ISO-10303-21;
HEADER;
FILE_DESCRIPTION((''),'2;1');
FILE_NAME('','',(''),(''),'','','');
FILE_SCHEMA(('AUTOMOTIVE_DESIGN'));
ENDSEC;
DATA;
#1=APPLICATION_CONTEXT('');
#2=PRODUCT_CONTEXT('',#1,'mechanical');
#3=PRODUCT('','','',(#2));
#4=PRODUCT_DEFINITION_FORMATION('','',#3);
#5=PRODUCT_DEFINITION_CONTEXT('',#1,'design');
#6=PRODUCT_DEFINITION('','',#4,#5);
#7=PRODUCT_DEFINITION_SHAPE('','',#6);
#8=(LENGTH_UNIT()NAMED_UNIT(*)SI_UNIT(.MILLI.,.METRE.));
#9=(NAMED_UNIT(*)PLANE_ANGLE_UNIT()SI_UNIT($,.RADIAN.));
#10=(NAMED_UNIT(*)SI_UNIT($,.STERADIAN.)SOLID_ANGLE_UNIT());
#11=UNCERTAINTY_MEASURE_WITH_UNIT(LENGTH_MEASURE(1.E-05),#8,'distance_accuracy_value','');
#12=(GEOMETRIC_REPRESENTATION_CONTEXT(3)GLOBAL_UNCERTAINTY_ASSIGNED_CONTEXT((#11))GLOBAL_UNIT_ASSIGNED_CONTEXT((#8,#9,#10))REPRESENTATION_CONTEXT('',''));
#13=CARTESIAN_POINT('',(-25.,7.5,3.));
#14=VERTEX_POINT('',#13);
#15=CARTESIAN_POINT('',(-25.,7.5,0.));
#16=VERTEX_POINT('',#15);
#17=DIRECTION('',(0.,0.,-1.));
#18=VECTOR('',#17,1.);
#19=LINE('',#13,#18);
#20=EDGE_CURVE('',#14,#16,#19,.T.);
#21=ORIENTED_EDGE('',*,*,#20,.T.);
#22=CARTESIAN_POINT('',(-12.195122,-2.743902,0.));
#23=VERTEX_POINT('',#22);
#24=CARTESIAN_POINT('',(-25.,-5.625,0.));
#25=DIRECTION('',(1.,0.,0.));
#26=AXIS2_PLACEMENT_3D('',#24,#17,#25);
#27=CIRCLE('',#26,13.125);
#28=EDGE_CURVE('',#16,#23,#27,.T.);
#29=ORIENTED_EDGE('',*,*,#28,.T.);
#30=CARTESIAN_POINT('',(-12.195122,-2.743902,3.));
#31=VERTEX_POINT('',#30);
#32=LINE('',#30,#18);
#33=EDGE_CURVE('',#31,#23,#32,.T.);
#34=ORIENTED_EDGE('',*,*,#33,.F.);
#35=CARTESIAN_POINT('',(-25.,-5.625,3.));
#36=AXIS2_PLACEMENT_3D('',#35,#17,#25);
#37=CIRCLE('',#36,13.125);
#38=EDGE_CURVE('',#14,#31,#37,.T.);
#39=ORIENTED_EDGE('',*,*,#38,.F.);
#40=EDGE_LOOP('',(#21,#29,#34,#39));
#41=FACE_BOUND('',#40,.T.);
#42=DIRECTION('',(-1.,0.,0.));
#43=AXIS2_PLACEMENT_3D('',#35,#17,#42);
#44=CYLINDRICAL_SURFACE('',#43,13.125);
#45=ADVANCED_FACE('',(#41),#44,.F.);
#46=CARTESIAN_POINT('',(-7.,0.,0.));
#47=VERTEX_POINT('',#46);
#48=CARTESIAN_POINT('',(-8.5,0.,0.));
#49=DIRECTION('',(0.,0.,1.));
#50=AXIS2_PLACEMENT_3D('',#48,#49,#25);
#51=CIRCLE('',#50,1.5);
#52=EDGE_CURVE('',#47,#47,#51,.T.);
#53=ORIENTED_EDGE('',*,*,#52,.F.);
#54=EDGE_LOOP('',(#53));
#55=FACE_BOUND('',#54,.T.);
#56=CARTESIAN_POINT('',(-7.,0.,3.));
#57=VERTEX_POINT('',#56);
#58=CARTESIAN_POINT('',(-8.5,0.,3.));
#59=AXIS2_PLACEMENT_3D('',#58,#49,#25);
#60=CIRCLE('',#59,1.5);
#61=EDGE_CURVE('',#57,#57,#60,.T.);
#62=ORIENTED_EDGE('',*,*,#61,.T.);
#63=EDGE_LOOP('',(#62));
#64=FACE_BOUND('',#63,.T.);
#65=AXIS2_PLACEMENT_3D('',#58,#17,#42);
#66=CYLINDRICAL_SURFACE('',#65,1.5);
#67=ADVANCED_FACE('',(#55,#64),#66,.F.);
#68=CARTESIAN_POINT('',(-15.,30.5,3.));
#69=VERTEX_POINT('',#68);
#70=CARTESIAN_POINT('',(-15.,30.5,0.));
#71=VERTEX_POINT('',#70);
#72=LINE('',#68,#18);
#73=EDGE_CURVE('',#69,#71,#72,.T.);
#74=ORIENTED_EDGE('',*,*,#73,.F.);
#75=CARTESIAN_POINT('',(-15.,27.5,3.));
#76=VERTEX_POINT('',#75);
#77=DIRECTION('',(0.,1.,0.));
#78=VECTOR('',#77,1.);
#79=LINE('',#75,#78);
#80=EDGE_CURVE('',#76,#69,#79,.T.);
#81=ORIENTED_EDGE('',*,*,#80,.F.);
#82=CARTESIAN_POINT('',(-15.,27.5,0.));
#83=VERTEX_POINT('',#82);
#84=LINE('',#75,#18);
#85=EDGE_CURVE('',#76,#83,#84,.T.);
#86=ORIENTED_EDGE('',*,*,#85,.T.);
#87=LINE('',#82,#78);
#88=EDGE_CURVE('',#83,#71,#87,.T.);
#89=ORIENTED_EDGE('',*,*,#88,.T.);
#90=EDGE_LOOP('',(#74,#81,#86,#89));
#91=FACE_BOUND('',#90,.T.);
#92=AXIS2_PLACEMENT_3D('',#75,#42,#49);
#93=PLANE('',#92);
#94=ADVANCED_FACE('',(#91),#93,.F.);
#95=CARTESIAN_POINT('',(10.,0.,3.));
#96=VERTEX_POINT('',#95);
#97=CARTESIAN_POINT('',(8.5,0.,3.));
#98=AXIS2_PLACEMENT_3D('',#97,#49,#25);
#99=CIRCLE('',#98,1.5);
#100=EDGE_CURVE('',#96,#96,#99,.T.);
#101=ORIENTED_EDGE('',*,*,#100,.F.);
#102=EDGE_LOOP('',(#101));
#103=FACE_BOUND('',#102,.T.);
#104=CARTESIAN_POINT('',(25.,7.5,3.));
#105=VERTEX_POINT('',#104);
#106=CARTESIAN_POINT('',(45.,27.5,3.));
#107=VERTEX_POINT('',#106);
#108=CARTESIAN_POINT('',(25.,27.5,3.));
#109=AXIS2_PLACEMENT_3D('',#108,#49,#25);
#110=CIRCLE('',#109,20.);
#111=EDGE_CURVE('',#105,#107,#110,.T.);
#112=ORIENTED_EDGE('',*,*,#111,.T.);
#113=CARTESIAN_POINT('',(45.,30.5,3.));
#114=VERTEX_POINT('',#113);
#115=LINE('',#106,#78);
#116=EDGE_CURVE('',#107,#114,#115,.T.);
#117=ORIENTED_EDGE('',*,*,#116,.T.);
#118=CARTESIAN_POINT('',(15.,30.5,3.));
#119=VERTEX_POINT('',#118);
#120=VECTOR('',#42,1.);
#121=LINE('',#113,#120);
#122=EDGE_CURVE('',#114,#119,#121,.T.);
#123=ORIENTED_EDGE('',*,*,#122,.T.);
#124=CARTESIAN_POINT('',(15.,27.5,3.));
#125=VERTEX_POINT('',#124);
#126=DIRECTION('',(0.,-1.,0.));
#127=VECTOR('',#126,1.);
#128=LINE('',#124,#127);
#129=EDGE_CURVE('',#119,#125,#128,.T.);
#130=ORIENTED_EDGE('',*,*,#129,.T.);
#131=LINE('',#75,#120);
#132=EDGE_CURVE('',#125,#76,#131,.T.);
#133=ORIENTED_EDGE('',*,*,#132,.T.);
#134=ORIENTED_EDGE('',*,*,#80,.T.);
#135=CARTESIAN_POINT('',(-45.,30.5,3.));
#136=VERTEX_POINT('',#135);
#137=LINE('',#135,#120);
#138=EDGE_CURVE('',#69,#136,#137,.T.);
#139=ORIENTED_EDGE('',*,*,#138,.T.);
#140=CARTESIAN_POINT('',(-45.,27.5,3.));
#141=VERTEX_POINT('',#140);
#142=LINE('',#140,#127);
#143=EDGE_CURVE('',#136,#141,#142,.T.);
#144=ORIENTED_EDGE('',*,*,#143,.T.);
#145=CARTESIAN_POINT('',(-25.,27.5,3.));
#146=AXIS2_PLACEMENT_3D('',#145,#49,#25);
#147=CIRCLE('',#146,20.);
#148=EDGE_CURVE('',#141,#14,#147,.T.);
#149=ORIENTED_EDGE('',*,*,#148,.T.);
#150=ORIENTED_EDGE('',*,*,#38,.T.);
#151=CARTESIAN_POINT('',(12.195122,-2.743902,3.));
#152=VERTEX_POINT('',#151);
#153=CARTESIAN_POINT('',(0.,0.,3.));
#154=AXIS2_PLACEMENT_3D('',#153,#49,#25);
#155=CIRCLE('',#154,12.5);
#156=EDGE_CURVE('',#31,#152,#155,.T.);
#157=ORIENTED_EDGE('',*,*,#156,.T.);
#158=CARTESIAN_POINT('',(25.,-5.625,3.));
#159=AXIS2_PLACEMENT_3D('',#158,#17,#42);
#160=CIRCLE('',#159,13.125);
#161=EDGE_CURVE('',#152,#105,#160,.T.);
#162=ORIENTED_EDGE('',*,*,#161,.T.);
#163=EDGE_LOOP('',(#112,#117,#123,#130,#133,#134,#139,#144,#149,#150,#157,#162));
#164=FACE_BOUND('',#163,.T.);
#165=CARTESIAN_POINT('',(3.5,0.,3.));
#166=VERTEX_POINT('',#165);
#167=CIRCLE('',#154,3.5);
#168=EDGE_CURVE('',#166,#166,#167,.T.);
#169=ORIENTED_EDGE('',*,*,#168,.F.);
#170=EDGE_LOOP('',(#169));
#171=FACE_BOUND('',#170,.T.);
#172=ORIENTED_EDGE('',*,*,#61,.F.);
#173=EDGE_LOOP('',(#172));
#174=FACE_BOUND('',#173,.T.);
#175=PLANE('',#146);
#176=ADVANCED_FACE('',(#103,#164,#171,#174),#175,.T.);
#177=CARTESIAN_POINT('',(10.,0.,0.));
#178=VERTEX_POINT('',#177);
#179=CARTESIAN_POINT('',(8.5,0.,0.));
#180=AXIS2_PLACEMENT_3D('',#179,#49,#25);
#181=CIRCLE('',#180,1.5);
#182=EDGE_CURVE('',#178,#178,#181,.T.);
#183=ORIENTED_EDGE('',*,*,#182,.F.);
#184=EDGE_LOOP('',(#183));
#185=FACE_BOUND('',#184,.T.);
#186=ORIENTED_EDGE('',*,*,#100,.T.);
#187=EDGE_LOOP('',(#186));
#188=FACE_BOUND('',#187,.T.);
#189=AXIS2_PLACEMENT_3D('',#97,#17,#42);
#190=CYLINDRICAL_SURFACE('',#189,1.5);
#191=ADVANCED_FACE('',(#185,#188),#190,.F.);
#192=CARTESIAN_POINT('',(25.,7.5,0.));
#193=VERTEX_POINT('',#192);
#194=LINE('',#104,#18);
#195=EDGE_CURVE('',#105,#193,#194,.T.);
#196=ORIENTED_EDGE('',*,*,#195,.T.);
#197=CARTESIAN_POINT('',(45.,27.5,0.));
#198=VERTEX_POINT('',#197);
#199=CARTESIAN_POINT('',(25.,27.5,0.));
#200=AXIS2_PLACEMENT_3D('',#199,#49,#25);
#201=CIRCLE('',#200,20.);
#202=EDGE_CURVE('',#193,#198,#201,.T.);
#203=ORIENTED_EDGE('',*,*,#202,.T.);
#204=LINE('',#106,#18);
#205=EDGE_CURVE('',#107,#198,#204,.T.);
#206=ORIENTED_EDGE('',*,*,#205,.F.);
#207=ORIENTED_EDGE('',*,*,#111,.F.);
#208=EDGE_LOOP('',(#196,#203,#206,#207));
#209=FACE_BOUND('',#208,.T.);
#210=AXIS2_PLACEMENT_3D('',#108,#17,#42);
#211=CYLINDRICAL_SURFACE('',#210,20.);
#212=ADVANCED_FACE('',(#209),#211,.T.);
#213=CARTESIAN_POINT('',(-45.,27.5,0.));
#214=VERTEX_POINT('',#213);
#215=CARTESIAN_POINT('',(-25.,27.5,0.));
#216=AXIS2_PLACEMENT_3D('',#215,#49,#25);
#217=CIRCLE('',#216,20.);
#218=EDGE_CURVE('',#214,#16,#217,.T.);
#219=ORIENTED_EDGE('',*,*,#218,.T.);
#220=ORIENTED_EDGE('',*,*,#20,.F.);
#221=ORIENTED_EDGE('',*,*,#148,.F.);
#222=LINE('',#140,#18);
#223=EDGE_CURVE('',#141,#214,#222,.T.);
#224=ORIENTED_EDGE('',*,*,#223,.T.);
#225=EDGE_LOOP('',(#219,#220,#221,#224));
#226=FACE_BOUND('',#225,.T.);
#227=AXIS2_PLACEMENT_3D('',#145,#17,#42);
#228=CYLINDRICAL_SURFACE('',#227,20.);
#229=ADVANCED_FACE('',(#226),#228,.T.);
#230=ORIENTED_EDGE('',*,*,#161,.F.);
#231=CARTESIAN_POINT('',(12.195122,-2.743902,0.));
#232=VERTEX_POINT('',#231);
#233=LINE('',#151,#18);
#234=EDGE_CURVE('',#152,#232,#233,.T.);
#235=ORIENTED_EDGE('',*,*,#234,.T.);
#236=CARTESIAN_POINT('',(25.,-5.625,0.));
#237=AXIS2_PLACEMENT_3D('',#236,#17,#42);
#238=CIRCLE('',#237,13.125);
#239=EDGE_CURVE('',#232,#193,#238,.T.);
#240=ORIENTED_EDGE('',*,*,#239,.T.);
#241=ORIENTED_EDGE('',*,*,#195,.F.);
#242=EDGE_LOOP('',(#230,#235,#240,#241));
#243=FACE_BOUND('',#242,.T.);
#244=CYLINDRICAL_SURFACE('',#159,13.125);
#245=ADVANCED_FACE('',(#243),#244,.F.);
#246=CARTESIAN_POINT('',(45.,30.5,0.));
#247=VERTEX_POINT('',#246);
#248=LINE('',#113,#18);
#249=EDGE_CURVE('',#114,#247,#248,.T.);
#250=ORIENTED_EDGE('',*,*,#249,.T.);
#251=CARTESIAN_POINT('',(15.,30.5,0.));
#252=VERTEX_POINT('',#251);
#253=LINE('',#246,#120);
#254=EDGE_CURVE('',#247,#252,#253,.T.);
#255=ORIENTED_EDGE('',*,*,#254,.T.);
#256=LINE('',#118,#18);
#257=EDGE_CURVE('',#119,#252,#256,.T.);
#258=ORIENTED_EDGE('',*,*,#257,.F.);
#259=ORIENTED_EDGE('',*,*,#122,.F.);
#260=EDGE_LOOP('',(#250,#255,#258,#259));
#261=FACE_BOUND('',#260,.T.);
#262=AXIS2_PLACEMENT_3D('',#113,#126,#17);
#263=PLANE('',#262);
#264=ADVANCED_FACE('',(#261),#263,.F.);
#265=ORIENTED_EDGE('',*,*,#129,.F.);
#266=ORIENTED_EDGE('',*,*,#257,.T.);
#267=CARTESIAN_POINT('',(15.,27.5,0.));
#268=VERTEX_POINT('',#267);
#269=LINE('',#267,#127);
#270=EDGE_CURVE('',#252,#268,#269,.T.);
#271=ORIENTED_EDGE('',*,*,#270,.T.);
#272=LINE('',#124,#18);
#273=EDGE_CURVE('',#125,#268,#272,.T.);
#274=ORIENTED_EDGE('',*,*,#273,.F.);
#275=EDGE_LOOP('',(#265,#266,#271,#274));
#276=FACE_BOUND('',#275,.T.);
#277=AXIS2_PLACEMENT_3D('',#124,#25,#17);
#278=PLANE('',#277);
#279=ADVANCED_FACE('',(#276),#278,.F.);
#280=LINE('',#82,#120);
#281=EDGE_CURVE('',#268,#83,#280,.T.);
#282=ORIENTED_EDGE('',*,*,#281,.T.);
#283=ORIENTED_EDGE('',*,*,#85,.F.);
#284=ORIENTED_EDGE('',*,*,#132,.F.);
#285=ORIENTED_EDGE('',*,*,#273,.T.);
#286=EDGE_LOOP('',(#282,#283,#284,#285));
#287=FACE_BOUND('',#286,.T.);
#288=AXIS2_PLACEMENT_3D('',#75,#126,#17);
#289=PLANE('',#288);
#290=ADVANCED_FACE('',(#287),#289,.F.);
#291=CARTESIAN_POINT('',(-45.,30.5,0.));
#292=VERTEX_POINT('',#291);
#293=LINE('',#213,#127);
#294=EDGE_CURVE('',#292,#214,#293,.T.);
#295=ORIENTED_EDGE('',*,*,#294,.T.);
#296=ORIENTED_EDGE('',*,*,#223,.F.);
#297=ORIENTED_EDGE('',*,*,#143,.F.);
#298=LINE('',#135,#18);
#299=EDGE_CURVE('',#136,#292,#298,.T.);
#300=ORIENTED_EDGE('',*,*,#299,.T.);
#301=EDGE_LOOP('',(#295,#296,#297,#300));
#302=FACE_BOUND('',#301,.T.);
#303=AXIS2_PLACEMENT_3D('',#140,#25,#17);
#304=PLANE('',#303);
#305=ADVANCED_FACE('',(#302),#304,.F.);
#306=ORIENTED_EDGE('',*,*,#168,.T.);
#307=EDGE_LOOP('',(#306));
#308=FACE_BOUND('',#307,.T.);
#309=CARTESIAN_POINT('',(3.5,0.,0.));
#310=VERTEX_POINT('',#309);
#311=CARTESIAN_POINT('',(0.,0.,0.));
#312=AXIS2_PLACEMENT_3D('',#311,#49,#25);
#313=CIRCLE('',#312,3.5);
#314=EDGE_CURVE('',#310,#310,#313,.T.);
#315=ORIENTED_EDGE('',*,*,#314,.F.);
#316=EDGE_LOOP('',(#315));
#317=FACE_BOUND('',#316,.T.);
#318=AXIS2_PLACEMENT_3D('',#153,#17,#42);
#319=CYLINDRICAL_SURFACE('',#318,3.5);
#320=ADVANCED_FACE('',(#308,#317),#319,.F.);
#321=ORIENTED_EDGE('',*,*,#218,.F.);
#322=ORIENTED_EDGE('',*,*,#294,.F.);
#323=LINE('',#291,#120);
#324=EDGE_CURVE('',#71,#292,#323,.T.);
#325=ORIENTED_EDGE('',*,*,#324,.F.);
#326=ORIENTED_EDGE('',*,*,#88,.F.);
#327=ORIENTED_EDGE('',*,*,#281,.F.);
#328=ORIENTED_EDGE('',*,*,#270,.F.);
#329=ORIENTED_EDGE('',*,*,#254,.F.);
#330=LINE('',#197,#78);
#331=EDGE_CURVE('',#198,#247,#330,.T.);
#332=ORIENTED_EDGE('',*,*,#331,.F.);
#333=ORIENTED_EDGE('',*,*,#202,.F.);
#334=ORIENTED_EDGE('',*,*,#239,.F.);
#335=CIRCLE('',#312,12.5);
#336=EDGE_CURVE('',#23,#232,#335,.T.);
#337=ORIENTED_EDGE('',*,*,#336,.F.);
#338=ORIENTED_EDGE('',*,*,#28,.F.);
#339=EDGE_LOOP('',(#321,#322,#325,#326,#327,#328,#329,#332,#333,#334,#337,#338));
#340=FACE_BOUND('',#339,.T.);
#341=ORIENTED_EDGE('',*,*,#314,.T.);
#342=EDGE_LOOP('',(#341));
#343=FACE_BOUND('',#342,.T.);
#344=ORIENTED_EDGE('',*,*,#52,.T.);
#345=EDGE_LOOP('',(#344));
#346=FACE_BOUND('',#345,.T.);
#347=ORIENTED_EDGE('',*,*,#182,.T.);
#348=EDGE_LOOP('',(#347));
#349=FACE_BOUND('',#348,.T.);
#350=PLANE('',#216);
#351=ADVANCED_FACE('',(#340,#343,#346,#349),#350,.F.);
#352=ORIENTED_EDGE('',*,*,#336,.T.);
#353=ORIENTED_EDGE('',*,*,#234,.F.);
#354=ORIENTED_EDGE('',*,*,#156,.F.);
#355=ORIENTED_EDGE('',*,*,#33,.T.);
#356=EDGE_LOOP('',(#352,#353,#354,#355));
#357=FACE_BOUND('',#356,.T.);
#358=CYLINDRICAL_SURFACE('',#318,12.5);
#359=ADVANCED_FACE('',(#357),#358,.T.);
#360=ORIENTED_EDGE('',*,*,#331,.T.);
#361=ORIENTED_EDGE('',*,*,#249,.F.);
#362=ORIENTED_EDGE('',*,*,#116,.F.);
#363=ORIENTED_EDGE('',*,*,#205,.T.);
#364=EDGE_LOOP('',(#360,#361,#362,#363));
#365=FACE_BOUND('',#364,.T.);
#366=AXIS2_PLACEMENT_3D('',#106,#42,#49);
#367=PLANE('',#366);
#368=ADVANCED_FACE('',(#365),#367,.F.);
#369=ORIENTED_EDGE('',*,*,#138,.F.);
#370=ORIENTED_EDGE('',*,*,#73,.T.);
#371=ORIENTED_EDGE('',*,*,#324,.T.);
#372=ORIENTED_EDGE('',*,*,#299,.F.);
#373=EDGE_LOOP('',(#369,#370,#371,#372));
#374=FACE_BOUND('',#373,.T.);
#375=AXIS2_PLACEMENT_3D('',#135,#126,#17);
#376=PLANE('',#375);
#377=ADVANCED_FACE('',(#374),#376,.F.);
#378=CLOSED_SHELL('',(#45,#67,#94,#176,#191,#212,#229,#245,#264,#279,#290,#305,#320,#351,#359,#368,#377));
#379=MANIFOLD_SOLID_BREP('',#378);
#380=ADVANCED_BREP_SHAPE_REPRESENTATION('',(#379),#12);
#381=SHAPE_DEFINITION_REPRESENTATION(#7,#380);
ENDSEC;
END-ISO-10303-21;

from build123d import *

# Parameters (mm, degrees)
SKETCH1_R           = 1.5
SKETCH1_R_2         = 3.5
BOSS_EXTRUDE1_DEPTH = 3


with BuildPart() as part:
    # Sketch1 → Boss-Extrude1 (new body)
    with BuildSketch(Plane.XY):
        with BuildLine():
            Line((-15, 27.5), (15, 27.5))
            Line((15, 27.5), (15, 30.5))
            Line((15, 30.5), (45, 30.5))
            Line((45, 30.5), (45, 27.5))
            ThreePointArc((45, 27.5), (39.142135624, 13.357864376), (25, 7.5))
            ThreePointArc((25, 7.5), (16.800877501, 4.623903124), (12.195121951, -2.743902439))
            ThreePointArc((12.195121951, -2.743902439), (0, -12.5), (-12.195121951, -2.743902439))
            ThreePointArc((-12.195121951, -2.743902439), (-16.800877501, 4.623903124), (-25, 7.5))
            ThreePointArc((-25, 7.5), (-39.142135624, 13.357864376), (-45, 27.5))
            Line((-45, 27.5), (-45, 30.5))
            Line((-45, 30.5), (-15, 30.5))
            Line((-15, 30.5), (-15, 27.5))
        make_face()
        with Locations((-8.5, 0)):
            Circle(SKETCH1_R, mode=Mode.SUBTRACT)
        with Locations((8.5, 0)):
            Circle(SKETCH1_R, mode=Mode.SUBTRACT)
        Circle(SKETCH1_R_2, mode=Mode.SUBTRACT)
    extrude(amount=BOSS_EXTRUDE1_DEPTH)


solid = part.part
